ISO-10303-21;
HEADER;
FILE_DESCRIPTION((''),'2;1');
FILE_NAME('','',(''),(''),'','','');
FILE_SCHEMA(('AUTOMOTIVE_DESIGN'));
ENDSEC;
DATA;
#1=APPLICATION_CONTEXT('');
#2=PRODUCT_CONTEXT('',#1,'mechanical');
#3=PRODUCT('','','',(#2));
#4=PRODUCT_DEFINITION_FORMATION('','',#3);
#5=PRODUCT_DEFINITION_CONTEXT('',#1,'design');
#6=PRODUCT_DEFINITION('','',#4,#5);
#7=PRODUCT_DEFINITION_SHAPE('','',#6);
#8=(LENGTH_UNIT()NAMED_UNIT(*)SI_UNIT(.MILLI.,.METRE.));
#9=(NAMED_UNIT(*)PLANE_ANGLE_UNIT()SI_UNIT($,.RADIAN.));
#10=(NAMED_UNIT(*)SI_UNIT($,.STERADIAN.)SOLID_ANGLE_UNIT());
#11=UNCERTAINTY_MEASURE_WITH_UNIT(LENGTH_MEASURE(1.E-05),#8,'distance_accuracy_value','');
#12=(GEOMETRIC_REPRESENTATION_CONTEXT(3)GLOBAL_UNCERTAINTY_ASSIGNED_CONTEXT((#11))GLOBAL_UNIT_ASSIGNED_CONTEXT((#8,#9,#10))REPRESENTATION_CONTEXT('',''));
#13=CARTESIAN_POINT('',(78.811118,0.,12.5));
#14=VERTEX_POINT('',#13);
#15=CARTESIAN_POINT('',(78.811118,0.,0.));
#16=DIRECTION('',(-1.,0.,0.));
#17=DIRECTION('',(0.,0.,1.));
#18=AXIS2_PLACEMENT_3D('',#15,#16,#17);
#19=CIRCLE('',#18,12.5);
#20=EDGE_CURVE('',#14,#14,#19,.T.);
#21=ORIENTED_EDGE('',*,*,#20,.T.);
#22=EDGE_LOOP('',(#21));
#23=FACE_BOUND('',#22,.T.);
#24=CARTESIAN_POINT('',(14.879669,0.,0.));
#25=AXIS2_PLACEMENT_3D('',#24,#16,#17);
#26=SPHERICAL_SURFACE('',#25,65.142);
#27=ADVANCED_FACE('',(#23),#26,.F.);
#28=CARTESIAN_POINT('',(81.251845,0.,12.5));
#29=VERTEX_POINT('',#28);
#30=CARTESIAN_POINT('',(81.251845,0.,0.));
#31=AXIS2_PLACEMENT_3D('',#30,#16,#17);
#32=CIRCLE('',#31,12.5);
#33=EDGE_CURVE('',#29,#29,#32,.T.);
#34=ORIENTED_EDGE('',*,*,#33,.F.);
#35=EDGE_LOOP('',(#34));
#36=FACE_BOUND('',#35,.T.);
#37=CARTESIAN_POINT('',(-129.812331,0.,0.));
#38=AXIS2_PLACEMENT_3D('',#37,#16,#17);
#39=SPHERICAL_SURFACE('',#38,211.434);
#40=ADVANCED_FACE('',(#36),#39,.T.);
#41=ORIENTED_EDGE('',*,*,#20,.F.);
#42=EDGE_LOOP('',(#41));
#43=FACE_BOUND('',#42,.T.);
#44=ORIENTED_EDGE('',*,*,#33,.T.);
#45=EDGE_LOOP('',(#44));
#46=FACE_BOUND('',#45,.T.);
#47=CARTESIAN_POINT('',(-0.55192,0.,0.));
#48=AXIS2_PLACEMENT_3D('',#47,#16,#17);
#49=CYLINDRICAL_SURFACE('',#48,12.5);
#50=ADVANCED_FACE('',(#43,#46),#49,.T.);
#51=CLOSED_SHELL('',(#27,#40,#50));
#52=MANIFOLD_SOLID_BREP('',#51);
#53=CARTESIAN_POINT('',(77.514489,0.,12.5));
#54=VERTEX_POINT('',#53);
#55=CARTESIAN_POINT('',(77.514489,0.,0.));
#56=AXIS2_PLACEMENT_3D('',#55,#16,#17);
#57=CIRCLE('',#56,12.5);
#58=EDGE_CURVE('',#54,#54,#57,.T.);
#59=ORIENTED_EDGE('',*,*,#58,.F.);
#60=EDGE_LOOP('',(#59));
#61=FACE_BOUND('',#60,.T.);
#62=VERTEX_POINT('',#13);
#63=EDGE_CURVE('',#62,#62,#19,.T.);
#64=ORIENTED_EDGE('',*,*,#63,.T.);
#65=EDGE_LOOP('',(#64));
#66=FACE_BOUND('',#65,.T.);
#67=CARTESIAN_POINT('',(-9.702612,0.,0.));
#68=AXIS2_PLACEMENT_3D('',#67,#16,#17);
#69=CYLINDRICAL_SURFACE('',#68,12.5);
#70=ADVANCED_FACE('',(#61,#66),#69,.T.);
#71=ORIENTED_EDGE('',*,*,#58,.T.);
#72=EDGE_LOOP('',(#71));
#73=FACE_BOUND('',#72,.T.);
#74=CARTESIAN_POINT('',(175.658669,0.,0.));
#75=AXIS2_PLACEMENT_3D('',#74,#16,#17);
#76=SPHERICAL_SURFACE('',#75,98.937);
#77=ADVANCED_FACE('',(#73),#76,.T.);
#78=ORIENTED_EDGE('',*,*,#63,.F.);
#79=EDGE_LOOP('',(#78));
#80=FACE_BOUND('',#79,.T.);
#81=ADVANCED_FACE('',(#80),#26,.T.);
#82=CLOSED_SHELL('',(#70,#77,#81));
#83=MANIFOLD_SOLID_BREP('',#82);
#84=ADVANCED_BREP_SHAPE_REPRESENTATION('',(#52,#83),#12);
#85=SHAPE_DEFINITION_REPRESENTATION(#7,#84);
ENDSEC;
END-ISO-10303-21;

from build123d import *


with BuildPart() as part:
    # 草图1 one side → 旋转1 (revolve)
    with BuildSketch(Plane(origin=(0, 0, 0), x_dir=(1, 0, 0), z_dir=(0, 1, 0)), mode=Mode.PRIVATE) as revolve_1_sk:
        with BuildLine():
            ThreePointArc((77.514489477, 12.5), (76.920073035, 6.262558669), (76.721668974, 0))
            Line((76.721668974, 0), (80.021668974, 0))
            ThreePointArc((80.021668974, 0), (79.718324925, 6.279240278), (78.811117917, 12.5))
            Line((78.811117917, 12.5), (77.514489477, 12.5))
        make_face()
    revolve(revolve_1_sk.sketch.rotate(Axis((-9.702612178, 0, 0), (1, 0, 0)), 180), axis=Axis((-9.702612178, 0, 0), (1, 0, 0)))  # turned: the seam where the file's is


with BuildPart() as body_2:
    # 草图2 one side → 旋转3 (revolve)
    with BuildSketch(Plane(origin=(0, 0, 0), x_dir=(1, 0, 0), z_dir=(0, 1, 0)), mode=Mode.PRIVATE) as revolve_3_sk:
        with BuildLine():
            Line((81.251844892, 12.5), (78.811117917, 12.5))
            ThreePointArc((78.811117917, 12.5), (79.718324925, 6.279240278), (80.021668974, 0))
            Line((80.021668974, 0), (81.621668974, 0))
            ThreePointArc((81.621668974, 0), (81.52919273, 6.252734799), (81.251844892, 12.5))
        make_face()
    revolve(revolve_3_sk.sketch.rotate(Axis((-0.551919993, 0, 0), (1, 0, 0)), 180), axis=Axis((-0.551919993, 0, 0), (1, 0, 0)))  # turned: the seam where the file's is


solid = Compound([part.part, body_2.part])
